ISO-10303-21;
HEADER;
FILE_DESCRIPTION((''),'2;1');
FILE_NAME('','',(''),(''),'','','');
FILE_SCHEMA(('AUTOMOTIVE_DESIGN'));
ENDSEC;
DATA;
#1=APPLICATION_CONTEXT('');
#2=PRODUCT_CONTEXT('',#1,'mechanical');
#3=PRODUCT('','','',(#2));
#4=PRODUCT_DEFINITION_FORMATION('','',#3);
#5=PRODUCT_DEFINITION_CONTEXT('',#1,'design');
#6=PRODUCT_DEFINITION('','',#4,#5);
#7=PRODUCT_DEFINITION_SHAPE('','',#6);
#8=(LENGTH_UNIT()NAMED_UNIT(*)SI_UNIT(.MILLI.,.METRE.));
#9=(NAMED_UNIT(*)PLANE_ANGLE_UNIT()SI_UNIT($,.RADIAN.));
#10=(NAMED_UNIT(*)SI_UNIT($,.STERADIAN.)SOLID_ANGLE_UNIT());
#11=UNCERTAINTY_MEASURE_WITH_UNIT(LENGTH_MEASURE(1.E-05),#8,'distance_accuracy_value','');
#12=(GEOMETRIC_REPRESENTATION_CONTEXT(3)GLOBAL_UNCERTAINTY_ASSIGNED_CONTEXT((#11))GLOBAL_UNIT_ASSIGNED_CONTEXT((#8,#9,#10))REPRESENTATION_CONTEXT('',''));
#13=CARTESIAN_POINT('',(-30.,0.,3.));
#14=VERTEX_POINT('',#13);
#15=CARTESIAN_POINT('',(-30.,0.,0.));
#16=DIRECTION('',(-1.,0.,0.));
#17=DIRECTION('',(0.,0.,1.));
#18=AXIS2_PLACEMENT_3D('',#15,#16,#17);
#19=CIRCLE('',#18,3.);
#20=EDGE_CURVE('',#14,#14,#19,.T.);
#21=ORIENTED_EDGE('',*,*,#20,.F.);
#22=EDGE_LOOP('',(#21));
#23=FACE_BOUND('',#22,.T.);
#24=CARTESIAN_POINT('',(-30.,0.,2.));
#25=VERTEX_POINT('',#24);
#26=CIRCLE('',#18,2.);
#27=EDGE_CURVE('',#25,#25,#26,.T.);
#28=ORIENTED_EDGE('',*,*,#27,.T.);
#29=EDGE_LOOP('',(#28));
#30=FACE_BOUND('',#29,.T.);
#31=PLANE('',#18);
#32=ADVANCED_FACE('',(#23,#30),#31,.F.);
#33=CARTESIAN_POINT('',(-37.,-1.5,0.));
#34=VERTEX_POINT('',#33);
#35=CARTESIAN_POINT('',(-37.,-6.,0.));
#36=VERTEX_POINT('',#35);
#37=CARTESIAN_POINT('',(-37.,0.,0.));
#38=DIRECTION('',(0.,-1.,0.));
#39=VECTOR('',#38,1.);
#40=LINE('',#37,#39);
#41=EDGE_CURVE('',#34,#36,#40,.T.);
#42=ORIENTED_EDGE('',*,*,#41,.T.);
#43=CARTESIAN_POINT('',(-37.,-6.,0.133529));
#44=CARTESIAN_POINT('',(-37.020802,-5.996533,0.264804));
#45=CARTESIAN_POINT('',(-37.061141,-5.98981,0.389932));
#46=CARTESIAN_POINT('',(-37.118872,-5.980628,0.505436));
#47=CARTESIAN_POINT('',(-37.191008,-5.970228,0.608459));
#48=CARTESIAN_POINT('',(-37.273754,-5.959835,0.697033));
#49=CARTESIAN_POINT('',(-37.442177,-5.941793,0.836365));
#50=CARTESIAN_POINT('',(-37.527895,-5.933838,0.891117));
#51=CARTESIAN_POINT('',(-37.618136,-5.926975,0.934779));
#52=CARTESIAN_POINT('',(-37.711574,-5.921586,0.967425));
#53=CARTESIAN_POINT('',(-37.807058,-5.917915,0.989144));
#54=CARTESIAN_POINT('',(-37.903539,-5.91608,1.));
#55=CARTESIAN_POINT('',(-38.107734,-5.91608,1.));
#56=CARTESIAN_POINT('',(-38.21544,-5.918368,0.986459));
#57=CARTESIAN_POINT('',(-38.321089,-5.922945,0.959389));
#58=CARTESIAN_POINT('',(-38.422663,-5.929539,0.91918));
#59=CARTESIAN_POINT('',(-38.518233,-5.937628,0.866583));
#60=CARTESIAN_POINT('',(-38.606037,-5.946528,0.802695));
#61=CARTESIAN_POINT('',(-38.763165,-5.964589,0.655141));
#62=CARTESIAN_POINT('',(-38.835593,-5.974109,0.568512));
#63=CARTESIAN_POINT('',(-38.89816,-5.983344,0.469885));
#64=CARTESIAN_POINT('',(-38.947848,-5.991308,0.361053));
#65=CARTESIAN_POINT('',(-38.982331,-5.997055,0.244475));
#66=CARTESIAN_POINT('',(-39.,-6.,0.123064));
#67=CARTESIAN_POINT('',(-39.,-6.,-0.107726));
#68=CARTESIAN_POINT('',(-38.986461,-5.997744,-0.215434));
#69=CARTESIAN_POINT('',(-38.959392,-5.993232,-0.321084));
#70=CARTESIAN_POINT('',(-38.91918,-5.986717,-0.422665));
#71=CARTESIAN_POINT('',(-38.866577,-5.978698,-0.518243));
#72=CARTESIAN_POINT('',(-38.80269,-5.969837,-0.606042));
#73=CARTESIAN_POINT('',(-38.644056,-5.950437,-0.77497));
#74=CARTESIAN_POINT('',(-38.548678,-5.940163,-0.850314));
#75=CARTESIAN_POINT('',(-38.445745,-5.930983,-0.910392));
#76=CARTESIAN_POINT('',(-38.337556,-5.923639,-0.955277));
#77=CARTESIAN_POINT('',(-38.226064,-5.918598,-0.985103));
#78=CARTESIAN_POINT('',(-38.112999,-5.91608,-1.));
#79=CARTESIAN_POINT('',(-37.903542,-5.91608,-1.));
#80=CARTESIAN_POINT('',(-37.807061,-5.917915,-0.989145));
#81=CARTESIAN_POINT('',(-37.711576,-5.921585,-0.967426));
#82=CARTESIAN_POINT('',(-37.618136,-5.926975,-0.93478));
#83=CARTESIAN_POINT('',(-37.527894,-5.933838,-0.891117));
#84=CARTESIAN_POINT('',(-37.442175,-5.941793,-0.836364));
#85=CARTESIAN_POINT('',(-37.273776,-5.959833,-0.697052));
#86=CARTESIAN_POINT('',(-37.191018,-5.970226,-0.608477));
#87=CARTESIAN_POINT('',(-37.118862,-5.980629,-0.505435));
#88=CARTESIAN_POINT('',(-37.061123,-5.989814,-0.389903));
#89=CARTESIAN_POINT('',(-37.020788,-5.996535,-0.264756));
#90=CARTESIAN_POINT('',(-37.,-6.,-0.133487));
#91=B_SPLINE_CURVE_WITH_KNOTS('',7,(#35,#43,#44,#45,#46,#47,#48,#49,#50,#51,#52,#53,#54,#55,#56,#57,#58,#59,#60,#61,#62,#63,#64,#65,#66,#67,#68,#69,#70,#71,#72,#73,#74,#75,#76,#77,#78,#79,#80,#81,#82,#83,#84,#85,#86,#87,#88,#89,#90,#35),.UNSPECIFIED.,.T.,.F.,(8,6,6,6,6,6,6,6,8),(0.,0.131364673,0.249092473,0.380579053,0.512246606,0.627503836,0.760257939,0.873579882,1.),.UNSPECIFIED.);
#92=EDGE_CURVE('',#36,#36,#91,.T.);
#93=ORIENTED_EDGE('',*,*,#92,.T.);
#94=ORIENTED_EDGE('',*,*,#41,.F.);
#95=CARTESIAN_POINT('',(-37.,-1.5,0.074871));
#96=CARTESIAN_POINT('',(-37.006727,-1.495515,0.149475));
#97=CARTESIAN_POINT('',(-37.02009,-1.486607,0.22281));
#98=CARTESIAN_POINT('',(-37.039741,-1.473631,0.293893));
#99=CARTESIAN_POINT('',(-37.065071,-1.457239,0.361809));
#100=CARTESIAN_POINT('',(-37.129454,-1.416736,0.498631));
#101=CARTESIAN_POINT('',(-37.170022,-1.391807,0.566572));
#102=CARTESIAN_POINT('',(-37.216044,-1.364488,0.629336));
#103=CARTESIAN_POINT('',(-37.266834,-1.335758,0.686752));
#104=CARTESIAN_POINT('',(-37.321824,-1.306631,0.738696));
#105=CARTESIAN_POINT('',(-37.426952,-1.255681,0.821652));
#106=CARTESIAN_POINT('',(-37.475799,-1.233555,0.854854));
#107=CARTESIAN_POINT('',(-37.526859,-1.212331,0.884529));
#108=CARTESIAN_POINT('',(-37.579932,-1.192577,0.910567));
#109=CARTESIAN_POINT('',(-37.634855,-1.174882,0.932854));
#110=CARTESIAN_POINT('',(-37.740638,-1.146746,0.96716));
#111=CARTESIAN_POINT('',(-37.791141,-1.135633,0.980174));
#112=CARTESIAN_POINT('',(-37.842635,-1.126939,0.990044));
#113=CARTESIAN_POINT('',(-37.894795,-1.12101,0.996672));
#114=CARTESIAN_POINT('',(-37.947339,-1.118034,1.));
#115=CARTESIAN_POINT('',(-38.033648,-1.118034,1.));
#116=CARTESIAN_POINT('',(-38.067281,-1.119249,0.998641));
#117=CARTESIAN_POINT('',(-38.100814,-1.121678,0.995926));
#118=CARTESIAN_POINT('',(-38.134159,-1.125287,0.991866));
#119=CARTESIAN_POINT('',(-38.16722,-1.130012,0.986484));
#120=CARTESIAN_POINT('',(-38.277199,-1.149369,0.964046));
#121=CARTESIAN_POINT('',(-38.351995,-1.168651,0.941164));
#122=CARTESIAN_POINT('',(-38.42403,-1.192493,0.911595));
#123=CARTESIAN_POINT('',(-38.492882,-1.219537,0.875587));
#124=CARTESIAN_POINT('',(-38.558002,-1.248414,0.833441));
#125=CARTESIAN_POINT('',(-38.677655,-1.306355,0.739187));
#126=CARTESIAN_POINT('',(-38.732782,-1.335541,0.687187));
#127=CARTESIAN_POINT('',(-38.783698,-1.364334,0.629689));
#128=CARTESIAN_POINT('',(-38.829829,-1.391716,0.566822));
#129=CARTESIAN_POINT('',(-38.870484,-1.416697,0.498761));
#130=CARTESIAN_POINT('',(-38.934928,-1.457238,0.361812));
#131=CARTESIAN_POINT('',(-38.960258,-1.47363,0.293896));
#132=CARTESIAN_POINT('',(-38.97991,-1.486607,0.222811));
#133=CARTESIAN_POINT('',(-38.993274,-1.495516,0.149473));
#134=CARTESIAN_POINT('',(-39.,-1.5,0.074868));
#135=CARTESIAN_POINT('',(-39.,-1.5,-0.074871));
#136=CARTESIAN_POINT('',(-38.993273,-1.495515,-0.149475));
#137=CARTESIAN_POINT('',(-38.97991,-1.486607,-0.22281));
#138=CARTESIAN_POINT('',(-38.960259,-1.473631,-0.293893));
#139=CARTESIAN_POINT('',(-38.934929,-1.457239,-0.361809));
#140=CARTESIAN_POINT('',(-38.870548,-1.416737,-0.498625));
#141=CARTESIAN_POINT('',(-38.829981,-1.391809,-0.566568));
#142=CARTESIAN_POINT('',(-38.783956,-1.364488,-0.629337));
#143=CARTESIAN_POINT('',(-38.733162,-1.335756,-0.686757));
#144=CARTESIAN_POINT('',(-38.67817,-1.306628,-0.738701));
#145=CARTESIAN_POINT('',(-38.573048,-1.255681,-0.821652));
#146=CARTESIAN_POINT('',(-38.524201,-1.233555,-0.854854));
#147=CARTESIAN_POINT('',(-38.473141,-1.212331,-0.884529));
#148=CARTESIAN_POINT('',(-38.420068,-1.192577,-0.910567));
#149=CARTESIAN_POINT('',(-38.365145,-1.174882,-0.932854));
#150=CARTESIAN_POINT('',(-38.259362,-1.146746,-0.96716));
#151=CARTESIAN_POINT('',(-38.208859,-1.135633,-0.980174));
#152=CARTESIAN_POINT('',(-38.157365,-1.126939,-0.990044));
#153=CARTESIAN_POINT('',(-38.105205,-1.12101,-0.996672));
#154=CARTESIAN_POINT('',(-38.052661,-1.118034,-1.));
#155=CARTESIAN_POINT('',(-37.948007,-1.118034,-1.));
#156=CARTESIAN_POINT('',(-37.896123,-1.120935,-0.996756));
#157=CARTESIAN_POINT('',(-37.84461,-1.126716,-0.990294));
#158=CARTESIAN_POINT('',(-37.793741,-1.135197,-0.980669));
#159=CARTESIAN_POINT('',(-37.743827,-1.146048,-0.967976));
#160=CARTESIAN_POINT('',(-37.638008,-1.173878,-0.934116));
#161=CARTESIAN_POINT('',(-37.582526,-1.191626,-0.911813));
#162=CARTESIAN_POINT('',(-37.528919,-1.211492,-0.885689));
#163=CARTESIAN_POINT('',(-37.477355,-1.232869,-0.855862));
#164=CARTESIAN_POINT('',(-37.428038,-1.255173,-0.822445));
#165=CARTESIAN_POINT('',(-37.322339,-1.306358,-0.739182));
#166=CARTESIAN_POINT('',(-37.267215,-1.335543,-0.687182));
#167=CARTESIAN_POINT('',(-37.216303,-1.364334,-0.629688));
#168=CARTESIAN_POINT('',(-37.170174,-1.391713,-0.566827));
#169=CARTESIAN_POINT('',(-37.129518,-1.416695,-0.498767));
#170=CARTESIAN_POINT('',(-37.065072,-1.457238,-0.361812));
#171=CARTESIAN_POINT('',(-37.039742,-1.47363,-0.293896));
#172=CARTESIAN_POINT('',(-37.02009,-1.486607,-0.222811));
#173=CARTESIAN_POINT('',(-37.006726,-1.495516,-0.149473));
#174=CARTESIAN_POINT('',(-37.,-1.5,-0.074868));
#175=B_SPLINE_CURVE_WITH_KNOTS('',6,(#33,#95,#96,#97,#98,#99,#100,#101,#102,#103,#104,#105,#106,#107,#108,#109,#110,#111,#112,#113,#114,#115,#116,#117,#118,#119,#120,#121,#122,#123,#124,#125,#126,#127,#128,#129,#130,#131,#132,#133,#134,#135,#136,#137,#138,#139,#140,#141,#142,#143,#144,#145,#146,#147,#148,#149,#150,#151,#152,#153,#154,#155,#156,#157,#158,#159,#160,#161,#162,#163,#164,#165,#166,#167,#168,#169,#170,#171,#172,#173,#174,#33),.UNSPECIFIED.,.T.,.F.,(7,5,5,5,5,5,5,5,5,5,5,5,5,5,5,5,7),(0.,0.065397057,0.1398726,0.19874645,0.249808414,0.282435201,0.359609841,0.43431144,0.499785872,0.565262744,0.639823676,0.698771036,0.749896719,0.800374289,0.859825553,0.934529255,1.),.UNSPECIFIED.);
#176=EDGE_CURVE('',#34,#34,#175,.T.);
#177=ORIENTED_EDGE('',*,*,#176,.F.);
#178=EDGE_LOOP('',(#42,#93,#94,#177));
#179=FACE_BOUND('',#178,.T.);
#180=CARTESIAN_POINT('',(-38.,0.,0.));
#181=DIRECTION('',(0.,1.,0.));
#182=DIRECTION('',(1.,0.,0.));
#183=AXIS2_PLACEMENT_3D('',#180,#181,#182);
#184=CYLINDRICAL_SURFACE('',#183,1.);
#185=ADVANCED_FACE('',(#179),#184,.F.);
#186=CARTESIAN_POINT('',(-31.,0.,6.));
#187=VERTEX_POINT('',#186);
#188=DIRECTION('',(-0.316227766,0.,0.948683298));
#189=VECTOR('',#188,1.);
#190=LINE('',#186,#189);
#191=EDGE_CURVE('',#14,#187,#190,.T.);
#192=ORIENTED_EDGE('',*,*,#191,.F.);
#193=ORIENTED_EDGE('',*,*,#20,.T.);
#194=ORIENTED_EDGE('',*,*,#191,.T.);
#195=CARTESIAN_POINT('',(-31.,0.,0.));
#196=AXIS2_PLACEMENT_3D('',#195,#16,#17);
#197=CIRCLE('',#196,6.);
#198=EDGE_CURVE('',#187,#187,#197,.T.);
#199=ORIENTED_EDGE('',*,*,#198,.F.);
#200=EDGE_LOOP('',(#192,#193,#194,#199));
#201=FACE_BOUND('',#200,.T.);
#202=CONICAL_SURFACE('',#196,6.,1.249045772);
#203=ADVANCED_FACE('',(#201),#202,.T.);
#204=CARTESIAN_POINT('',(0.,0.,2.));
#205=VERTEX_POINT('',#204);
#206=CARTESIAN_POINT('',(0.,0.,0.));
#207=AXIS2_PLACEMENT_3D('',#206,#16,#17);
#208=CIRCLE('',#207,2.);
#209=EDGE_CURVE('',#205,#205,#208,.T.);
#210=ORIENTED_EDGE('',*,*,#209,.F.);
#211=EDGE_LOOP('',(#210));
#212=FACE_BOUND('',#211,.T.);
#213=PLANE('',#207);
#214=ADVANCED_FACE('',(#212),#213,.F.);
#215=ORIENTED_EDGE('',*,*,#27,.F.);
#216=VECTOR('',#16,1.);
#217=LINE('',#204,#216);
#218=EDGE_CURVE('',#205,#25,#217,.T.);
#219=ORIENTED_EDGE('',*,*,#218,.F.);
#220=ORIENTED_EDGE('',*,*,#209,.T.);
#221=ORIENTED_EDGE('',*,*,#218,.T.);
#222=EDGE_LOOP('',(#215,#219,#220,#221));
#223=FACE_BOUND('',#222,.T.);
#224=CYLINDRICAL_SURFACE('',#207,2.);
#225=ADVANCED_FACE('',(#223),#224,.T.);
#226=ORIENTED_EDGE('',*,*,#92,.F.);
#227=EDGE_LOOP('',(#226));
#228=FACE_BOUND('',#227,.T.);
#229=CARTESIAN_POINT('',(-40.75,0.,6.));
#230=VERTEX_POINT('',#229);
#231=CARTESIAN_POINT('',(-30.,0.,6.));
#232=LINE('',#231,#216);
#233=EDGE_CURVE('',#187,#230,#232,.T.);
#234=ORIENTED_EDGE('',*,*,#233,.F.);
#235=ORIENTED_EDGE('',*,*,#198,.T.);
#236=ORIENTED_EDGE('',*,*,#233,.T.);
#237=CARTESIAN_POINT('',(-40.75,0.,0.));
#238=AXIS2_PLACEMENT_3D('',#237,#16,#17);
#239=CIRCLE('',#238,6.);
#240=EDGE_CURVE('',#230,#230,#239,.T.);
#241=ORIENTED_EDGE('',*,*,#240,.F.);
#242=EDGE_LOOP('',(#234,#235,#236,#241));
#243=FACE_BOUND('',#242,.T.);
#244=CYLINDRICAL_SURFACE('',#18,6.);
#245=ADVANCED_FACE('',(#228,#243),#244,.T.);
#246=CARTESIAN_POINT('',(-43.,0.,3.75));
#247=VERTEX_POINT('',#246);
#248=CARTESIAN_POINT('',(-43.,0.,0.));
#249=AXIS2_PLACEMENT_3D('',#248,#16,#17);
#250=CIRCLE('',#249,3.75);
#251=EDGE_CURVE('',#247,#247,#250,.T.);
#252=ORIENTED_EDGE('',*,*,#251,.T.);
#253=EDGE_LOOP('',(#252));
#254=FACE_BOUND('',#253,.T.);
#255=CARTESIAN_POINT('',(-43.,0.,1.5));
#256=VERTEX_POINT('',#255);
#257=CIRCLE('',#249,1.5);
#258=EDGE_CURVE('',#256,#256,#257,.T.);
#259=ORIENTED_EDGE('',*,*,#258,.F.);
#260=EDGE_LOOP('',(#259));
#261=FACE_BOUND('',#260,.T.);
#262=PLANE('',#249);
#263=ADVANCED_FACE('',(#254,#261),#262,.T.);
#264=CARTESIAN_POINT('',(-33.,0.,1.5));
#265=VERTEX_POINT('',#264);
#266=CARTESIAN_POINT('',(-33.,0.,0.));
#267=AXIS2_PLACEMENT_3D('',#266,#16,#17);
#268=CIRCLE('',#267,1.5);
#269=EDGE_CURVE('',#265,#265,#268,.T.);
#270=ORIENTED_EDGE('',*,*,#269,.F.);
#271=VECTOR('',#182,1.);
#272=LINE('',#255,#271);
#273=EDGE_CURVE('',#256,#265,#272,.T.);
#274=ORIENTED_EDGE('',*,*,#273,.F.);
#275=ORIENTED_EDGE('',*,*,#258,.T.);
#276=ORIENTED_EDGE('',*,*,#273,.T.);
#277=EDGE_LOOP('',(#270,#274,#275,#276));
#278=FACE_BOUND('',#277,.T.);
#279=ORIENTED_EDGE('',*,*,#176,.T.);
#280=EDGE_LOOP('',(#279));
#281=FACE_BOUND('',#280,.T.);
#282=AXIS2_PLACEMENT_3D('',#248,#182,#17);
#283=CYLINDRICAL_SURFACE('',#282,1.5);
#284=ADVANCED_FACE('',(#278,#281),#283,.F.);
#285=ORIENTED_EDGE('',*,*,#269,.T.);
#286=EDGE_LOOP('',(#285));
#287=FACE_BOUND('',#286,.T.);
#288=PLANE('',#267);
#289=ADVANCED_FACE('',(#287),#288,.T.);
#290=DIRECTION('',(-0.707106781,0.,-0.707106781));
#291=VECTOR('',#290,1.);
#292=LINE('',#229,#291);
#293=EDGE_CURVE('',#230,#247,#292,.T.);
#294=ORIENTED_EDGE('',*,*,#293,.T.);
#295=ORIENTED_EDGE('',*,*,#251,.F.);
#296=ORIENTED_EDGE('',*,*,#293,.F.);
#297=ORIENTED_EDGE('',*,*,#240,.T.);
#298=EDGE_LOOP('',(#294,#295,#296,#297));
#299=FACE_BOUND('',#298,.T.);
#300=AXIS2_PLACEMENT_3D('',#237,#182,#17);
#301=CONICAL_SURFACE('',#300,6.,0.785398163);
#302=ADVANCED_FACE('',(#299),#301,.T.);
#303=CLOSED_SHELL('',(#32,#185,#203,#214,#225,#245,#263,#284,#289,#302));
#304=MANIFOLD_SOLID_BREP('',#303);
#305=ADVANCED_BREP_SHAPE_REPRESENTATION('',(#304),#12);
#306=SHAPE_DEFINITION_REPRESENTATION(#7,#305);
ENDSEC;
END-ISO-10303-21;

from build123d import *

# Parameters (mm, degrees)
F2_R     = 1
F3_DEPTH = 10
F4_SIZE2 = 1
F4_SIZE  = 3


with BuildPart() as f1:
    # F0 (on Front) → F1 (revolve)
    with BuildSketch(Plane.XZ):
        Polygon((-33, 0), (0, 0), (0, 2), (-30, 2), (-30, 6), (-40.75, 6), (-43, 3.75), (-43, 1.5), (-33, 1.5), align=None)
    revolve(axis=Axis((-16.5, 0, 0), (-1, 0, 0)))

    # F2 (on Front) → F3 (cut)
    with BuildSketch(Plane.XZ):
        with Locations((-38, 0)):
            Circle(F2_R)
    extrude(amount=F3_DEPTH, mode=Mode.SUBTRACT)

    # F4
    f4_edges = [f1.edges().sort_by_distance(p)[0] for p in [
        (-30, 0, -6),
    ]]
    chamfer(f4_edges, length=F4_SIZE, length2=F4_SIZE2)


solid = f1.part
